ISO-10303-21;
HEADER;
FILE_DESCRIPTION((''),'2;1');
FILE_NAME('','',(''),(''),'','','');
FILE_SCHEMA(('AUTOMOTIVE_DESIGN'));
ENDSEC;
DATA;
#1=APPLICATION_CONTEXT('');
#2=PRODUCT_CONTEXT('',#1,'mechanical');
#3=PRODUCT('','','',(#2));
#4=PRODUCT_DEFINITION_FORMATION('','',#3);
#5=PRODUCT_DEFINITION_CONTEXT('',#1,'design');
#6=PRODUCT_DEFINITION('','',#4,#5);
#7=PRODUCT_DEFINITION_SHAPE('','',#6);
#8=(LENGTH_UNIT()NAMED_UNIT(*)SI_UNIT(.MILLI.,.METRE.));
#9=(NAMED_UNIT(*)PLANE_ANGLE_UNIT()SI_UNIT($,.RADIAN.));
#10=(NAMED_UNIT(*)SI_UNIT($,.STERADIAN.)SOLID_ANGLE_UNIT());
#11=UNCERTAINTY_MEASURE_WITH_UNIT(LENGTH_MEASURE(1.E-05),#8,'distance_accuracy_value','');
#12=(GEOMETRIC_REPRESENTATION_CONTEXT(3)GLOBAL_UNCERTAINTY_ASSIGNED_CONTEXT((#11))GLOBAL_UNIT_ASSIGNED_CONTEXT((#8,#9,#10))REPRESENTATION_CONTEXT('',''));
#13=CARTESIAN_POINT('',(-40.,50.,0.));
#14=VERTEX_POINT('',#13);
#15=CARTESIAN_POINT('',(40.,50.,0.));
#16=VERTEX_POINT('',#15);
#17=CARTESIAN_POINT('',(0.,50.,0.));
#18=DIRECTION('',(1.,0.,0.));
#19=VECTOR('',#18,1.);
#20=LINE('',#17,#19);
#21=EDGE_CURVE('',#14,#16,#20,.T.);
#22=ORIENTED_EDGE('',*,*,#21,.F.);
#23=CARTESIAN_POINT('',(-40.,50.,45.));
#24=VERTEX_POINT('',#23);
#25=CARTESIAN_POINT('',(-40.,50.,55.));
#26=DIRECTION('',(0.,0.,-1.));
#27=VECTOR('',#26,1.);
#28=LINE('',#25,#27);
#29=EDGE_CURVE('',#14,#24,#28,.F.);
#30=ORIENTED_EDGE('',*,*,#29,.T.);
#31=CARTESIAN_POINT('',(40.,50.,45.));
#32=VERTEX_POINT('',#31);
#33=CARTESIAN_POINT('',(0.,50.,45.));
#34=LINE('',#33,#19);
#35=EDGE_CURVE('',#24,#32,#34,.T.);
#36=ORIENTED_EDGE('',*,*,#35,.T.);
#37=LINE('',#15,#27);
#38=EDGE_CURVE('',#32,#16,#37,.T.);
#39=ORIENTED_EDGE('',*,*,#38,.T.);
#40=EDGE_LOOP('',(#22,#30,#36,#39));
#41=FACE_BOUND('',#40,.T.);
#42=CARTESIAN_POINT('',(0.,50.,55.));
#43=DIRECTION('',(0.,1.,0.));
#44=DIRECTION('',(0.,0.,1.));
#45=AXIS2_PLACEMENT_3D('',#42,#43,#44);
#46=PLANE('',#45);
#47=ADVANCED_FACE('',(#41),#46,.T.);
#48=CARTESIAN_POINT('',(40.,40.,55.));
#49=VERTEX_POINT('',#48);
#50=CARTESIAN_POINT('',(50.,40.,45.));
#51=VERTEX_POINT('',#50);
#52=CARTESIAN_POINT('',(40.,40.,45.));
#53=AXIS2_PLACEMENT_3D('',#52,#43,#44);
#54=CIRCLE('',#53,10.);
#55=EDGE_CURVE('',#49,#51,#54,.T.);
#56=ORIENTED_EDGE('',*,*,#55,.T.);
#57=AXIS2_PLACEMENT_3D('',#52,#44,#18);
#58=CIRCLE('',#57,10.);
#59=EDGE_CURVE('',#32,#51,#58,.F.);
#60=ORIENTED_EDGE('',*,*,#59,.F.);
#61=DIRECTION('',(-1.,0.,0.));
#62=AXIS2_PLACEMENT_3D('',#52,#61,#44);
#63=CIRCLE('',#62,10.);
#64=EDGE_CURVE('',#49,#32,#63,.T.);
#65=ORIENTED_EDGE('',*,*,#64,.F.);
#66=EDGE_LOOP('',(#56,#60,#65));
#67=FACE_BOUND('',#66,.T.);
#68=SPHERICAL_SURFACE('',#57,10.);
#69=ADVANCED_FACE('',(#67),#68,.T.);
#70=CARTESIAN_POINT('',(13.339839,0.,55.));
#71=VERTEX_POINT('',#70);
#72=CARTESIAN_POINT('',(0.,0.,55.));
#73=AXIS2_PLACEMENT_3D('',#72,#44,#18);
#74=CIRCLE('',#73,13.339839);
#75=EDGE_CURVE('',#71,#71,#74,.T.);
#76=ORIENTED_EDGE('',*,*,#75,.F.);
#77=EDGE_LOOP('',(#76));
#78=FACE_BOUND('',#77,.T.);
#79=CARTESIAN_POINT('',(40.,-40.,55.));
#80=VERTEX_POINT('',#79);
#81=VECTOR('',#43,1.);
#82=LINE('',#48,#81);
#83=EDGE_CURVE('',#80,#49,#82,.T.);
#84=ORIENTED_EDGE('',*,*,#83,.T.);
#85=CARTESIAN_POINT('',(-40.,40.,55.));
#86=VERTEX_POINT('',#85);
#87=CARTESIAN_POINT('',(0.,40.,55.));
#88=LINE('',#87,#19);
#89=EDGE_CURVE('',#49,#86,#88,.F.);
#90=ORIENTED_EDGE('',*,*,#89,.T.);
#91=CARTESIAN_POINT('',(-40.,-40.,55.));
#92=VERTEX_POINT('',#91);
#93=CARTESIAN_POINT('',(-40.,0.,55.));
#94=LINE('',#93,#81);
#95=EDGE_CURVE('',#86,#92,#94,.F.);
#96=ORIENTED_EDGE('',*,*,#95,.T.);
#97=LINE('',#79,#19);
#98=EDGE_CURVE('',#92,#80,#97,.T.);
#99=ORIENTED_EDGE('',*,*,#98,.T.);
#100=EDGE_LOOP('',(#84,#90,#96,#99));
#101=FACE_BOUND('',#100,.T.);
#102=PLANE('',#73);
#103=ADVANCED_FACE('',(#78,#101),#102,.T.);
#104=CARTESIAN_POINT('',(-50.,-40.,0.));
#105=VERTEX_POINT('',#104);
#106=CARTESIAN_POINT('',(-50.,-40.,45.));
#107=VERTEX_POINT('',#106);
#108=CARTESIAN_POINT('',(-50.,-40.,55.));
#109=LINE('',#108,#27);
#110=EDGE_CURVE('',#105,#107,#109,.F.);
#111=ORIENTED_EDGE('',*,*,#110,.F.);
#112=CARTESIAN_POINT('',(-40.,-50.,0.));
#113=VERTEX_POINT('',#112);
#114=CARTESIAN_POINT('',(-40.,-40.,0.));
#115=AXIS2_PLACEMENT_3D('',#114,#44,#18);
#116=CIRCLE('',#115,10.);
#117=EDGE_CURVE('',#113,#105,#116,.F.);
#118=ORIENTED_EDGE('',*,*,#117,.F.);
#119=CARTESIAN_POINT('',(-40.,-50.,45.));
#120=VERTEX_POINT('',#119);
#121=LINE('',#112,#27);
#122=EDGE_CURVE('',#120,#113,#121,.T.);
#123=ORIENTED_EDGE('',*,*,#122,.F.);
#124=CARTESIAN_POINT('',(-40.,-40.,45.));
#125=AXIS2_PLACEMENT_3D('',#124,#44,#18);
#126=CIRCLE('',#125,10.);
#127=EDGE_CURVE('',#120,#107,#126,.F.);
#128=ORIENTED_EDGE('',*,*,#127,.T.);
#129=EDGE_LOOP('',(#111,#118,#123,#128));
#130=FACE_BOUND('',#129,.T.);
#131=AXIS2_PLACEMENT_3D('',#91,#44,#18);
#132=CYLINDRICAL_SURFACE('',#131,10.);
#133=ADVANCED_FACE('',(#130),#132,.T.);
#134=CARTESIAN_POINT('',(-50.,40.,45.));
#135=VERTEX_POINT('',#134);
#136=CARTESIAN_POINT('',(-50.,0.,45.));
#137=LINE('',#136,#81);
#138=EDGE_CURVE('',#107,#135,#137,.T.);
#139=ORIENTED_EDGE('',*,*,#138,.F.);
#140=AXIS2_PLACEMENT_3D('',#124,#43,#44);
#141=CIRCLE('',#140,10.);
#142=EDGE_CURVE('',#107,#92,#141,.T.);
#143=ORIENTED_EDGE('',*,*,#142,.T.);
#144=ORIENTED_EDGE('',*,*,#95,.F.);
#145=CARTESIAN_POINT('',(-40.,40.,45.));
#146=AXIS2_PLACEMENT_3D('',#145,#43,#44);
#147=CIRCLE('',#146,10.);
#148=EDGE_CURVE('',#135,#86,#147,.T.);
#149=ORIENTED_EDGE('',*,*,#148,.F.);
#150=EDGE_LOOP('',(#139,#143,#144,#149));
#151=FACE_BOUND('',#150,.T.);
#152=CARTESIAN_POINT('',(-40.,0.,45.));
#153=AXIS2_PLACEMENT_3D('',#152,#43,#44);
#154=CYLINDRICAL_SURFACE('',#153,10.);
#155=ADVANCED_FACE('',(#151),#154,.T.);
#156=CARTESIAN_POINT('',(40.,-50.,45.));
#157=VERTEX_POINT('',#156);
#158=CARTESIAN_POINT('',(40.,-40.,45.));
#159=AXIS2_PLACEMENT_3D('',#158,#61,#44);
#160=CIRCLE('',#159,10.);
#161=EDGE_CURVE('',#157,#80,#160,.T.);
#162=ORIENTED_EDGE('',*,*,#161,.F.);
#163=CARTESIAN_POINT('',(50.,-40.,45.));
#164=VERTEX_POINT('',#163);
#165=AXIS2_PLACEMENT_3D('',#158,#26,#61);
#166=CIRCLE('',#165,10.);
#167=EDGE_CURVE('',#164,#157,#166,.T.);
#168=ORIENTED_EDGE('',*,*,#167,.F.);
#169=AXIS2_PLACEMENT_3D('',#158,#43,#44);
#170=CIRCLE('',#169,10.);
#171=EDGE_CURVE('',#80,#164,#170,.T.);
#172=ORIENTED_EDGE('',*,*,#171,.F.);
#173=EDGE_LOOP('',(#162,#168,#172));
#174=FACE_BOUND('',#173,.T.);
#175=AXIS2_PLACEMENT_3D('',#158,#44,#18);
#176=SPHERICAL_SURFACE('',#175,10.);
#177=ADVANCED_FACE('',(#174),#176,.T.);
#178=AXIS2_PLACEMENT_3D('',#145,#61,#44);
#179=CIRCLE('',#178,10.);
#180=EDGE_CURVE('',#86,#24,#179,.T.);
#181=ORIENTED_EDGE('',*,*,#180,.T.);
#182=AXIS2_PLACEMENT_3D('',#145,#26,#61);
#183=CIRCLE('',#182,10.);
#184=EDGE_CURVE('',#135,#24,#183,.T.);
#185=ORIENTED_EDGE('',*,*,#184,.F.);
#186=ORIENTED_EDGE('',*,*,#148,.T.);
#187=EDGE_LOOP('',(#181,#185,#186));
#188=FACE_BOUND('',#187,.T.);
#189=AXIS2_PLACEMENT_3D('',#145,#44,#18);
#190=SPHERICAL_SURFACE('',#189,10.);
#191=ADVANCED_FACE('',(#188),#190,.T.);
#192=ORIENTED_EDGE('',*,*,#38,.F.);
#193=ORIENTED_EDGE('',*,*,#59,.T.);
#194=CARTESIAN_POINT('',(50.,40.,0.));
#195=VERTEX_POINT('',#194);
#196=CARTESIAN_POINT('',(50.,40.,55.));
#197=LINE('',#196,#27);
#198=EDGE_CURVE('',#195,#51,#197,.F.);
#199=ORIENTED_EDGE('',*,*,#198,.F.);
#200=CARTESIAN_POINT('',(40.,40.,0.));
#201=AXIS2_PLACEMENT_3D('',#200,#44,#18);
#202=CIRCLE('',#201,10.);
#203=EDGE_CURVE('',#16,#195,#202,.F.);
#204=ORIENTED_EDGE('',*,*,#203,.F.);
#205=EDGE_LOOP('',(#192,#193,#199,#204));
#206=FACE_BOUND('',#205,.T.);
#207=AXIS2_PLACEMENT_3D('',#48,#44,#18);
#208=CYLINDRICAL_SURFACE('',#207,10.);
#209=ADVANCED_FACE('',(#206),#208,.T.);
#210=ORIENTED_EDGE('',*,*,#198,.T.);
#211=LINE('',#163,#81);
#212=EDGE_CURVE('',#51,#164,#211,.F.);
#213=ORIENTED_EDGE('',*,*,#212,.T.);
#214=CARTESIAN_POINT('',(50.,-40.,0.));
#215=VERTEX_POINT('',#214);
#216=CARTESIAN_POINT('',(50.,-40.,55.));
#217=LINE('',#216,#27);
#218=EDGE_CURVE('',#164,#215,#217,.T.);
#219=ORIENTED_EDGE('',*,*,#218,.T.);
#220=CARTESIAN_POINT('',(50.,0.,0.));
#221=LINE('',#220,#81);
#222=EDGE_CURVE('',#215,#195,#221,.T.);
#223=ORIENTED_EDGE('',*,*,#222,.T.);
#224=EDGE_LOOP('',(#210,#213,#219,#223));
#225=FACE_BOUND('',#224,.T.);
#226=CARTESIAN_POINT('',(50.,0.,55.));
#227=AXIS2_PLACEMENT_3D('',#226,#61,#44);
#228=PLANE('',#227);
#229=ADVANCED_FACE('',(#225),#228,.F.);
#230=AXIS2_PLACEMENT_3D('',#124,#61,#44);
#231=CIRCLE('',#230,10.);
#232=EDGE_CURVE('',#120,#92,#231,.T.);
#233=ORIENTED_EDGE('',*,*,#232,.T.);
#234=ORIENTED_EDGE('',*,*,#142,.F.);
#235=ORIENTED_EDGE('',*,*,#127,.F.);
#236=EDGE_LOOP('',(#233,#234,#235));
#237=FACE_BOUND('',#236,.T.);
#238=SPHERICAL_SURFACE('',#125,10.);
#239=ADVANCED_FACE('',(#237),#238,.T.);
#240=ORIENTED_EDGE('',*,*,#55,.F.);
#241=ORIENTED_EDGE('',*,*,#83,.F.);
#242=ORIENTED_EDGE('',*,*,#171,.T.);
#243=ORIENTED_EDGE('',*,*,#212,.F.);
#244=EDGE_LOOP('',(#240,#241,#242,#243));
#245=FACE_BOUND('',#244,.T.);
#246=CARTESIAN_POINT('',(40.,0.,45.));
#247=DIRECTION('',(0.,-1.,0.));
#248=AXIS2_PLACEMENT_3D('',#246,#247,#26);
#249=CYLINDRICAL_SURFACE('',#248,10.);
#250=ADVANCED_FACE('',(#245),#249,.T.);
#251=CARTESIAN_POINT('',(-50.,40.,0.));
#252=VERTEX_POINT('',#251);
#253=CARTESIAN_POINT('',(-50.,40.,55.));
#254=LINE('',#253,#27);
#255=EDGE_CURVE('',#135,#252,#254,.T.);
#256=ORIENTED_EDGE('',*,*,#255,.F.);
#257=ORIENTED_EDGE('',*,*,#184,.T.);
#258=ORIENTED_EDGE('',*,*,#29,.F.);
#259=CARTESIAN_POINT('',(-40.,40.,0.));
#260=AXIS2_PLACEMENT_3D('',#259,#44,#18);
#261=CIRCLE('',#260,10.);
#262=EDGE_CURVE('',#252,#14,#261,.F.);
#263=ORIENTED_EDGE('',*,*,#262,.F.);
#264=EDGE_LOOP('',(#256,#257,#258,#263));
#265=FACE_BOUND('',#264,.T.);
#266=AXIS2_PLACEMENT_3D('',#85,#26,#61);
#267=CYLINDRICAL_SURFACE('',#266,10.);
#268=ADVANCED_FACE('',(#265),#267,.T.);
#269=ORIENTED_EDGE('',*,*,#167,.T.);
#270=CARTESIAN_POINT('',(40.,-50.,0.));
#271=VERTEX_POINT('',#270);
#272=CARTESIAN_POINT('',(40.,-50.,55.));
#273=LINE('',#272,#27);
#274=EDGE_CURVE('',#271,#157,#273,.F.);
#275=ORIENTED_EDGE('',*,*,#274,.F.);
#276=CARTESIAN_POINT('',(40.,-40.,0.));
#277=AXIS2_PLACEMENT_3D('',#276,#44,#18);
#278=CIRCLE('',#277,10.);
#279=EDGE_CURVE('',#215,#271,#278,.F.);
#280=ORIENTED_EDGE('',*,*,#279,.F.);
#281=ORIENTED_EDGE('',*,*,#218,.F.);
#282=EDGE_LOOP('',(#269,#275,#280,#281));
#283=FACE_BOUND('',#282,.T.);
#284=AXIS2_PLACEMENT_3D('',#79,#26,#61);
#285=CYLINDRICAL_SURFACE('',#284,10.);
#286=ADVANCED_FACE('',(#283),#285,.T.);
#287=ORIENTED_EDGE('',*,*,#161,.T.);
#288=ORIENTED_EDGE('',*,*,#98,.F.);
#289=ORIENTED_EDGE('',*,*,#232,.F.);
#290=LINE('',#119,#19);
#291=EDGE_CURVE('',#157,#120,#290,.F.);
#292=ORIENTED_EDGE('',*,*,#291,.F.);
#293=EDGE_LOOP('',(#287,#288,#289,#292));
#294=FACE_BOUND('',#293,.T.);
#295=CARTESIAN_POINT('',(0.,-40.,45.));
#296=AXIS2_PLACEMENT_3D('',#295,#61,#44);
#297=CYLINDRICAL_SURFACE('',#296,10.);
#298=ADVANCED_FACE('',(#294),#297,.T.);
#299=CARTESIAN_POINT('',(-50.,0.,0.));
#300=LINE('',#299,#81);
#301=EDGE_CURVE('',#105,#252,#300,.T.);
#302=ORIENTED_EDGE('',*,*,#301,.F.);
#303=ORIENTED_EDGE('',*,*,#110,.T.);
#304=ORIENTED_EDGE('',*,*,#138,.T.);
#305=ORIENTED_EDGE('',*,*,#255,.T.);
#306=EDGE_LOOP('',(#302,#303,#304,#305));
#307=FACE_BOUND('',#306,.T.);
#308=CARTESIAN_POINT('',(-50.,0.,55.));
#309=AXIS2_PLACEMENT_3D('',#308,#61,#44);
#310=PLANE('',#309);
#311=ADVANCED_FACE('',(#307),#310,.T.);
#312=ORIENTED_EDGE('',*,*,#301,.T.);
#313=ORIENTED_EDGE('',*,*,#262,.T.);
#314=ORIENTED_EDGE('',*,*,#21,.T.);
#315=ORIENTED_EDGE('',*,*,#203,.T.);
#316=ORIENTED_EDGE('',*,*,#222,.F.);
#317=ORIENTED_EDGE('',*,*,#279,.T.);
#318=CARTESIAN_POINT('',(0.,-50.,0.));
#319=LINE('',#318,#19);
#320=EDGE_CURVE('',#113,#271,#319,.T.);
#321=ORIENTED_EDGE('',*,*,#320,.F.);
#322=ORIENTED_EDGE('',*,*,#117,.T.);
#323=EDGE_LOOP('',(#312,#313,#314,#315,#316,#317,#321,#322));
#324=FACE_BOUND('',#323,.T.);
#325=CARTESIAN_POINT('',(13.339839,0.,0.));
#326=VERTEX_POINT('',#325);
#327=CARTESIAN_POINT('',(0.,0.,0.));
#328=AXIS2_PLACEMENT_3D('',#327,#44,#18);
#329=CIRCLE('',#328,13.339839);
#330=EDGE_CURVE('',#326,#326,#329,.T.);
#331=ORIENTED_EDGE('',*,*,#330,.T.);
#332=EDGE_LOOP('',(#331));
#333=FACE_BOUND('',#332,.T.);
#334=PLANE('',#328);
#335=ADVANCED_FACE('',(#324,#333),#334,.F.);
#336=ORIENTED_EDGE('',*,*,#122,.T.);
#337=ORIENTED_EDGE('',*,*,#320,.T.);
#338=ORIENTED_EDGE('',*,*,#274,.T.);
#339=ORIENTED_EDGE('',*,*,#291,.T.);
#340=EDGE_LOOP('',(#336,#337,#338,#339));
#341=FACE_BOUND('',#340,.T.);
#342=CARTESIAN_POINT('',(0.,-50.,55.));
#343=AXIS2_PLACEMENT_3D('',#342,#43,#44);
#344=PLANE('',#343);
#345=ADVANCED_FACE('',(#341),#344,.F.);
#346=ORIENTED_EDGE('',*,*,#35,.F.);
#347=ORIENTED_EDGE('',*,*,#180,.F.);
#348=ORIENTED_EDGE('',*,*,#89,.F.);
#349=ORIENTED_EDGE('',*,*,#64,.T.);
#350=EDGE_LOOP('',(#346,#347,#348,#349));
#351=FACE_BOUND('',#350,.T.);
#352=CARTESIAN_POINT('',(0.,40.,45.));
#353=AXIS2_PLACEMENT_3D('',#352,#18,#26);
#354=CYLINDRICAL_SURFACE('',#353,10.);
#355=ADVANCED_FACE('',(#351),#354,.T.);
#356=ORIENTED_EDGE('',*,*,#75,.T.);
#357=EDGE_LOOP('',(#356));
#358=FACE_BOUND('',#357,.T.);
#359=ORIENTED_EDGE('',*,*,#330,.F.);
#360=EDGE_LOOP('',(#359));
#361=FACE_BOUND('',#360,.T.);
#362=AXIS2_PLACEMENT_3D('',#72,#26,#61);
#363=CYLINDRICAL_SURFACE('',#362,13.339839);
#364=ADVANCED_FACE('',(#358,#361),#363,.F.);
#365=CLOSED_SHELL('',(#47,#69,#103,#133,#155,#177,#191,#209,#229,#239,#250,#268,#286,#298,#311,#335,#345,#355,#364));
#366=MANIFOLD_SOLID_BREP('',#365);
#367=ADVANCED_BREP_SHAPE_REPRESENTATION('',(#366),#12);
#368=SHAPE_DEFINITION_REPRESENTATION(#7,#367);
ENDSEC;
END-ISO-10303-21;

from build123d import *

# Parameters (mm, degrees)
EXTRUDE_1_DEPTH = 55
FILLET_2_R      = 10
FILLET_3_R      = 10


with BuildPart() as part:
    # 草图1 → 凸台-拉伸1 (new body)
    with BuildSketch(Plane.XY):
        with BuildLine():
            Line((-50, 50), (-50, -50))
            Line((-50, -50), (0, -50))
            Line((0, -50), (0, -28.382636481))
            ThreePointArc((0, -28.382636481), (-28.382636481, 0), (0, 28.382636481))
            Line((0, 28.382636481), (0, 50))
            Line((0, 50), (-50, 50))
        make_face()
        with BuildLine():
            Line((50, 50), (0, 50))
            Line((0, 50), (0, 28.382636481))
            ThreePointArc((0, 28.382636481), (20.069554724, 20.069554724), (28.382636481, 0))
            Line((28.382636481, 0), (50, 0))
            Line((50, 0), (50, 50))
        make_face()
        with BuildLine():
            Line((0, -13.339839146), (0, -28.382636481))
            ThreePointArc((0, -28.382636481), (20.069554724, -20.069554724), (28.382636481, 0))
            Line((28.382636481, 0), (13.339839146, 0))
            ThreePointArc((13.339839146, 0), (9.43269072, -9.43269072), (0, -13.339839146))
        make_face()
        with BuildLine():
            ThreePointArc((28.382636481, 0), (20.069554724, 20.069554724), (0, 28.382636481))
            Line((0, 28.382636481), (0, 13.339839146))
            ThreePointArc((0, 13.339839146), (9.43269072, 9.43269072), (13.339839146, 0))
            Line((13.339839146, 0), (28.382636481, 0))
        make_face()
        with BuildLine():
            ThreePointArc((0, 28.382636481), (-28.382636481, 0), (0, -28.382636481))
            Line((0, -28.382636481), (0, -13.339839146))
            ThreePointArc((0, -13.339839146), (-13.339839146, 0), (0, 13.339839146))
            Line((0, 13.339839146), (0, 28.382636481))
        make_face()
        with BuildLine():
            Line((0, -28.382636481), (0, -50))
            Line((0, -50), (50, -50))
            Line((50, -50), (50, 0))
            Line((50, 0), (28.382636481, 0))
            ThreePointArc((28.382636481, 0), (20.069554724, -20.069554724), (0, -28.382636481))
        make_face()
    extrude(amount=EXTRUDE_1_DEPTH)

    # 圆角2
    fillet_2_edges = [part.edges().sort_by_distance(p)[0] for p in [
        (50, -50, 27.5),
        (-50, -50, 27.5),
        (-50, 50, 27.5),
        (50, 50, 27.5),
    ]]
    fillet(fillet_2_edges, radius=FILLET_2_R)

    # 圆角3
    fillet_3_edges = [part.edges().sort_by_distance(p)[0] for p in [
        (0, -50, 55),
        (-50, 0, 55),
        (50, 0, 55),
        (0, 50, 55),
        (-47.071067812, 47.071067812, 55),
        (47.071067812, 47.071067812, 55),
        (47.071067812, -47.071067812, 55),
        (-47.071067812, -47.071067812, 55),
    ]]
    fillet(fillet_3_edges, radius=FILLET_3_R)


solid = part.part
